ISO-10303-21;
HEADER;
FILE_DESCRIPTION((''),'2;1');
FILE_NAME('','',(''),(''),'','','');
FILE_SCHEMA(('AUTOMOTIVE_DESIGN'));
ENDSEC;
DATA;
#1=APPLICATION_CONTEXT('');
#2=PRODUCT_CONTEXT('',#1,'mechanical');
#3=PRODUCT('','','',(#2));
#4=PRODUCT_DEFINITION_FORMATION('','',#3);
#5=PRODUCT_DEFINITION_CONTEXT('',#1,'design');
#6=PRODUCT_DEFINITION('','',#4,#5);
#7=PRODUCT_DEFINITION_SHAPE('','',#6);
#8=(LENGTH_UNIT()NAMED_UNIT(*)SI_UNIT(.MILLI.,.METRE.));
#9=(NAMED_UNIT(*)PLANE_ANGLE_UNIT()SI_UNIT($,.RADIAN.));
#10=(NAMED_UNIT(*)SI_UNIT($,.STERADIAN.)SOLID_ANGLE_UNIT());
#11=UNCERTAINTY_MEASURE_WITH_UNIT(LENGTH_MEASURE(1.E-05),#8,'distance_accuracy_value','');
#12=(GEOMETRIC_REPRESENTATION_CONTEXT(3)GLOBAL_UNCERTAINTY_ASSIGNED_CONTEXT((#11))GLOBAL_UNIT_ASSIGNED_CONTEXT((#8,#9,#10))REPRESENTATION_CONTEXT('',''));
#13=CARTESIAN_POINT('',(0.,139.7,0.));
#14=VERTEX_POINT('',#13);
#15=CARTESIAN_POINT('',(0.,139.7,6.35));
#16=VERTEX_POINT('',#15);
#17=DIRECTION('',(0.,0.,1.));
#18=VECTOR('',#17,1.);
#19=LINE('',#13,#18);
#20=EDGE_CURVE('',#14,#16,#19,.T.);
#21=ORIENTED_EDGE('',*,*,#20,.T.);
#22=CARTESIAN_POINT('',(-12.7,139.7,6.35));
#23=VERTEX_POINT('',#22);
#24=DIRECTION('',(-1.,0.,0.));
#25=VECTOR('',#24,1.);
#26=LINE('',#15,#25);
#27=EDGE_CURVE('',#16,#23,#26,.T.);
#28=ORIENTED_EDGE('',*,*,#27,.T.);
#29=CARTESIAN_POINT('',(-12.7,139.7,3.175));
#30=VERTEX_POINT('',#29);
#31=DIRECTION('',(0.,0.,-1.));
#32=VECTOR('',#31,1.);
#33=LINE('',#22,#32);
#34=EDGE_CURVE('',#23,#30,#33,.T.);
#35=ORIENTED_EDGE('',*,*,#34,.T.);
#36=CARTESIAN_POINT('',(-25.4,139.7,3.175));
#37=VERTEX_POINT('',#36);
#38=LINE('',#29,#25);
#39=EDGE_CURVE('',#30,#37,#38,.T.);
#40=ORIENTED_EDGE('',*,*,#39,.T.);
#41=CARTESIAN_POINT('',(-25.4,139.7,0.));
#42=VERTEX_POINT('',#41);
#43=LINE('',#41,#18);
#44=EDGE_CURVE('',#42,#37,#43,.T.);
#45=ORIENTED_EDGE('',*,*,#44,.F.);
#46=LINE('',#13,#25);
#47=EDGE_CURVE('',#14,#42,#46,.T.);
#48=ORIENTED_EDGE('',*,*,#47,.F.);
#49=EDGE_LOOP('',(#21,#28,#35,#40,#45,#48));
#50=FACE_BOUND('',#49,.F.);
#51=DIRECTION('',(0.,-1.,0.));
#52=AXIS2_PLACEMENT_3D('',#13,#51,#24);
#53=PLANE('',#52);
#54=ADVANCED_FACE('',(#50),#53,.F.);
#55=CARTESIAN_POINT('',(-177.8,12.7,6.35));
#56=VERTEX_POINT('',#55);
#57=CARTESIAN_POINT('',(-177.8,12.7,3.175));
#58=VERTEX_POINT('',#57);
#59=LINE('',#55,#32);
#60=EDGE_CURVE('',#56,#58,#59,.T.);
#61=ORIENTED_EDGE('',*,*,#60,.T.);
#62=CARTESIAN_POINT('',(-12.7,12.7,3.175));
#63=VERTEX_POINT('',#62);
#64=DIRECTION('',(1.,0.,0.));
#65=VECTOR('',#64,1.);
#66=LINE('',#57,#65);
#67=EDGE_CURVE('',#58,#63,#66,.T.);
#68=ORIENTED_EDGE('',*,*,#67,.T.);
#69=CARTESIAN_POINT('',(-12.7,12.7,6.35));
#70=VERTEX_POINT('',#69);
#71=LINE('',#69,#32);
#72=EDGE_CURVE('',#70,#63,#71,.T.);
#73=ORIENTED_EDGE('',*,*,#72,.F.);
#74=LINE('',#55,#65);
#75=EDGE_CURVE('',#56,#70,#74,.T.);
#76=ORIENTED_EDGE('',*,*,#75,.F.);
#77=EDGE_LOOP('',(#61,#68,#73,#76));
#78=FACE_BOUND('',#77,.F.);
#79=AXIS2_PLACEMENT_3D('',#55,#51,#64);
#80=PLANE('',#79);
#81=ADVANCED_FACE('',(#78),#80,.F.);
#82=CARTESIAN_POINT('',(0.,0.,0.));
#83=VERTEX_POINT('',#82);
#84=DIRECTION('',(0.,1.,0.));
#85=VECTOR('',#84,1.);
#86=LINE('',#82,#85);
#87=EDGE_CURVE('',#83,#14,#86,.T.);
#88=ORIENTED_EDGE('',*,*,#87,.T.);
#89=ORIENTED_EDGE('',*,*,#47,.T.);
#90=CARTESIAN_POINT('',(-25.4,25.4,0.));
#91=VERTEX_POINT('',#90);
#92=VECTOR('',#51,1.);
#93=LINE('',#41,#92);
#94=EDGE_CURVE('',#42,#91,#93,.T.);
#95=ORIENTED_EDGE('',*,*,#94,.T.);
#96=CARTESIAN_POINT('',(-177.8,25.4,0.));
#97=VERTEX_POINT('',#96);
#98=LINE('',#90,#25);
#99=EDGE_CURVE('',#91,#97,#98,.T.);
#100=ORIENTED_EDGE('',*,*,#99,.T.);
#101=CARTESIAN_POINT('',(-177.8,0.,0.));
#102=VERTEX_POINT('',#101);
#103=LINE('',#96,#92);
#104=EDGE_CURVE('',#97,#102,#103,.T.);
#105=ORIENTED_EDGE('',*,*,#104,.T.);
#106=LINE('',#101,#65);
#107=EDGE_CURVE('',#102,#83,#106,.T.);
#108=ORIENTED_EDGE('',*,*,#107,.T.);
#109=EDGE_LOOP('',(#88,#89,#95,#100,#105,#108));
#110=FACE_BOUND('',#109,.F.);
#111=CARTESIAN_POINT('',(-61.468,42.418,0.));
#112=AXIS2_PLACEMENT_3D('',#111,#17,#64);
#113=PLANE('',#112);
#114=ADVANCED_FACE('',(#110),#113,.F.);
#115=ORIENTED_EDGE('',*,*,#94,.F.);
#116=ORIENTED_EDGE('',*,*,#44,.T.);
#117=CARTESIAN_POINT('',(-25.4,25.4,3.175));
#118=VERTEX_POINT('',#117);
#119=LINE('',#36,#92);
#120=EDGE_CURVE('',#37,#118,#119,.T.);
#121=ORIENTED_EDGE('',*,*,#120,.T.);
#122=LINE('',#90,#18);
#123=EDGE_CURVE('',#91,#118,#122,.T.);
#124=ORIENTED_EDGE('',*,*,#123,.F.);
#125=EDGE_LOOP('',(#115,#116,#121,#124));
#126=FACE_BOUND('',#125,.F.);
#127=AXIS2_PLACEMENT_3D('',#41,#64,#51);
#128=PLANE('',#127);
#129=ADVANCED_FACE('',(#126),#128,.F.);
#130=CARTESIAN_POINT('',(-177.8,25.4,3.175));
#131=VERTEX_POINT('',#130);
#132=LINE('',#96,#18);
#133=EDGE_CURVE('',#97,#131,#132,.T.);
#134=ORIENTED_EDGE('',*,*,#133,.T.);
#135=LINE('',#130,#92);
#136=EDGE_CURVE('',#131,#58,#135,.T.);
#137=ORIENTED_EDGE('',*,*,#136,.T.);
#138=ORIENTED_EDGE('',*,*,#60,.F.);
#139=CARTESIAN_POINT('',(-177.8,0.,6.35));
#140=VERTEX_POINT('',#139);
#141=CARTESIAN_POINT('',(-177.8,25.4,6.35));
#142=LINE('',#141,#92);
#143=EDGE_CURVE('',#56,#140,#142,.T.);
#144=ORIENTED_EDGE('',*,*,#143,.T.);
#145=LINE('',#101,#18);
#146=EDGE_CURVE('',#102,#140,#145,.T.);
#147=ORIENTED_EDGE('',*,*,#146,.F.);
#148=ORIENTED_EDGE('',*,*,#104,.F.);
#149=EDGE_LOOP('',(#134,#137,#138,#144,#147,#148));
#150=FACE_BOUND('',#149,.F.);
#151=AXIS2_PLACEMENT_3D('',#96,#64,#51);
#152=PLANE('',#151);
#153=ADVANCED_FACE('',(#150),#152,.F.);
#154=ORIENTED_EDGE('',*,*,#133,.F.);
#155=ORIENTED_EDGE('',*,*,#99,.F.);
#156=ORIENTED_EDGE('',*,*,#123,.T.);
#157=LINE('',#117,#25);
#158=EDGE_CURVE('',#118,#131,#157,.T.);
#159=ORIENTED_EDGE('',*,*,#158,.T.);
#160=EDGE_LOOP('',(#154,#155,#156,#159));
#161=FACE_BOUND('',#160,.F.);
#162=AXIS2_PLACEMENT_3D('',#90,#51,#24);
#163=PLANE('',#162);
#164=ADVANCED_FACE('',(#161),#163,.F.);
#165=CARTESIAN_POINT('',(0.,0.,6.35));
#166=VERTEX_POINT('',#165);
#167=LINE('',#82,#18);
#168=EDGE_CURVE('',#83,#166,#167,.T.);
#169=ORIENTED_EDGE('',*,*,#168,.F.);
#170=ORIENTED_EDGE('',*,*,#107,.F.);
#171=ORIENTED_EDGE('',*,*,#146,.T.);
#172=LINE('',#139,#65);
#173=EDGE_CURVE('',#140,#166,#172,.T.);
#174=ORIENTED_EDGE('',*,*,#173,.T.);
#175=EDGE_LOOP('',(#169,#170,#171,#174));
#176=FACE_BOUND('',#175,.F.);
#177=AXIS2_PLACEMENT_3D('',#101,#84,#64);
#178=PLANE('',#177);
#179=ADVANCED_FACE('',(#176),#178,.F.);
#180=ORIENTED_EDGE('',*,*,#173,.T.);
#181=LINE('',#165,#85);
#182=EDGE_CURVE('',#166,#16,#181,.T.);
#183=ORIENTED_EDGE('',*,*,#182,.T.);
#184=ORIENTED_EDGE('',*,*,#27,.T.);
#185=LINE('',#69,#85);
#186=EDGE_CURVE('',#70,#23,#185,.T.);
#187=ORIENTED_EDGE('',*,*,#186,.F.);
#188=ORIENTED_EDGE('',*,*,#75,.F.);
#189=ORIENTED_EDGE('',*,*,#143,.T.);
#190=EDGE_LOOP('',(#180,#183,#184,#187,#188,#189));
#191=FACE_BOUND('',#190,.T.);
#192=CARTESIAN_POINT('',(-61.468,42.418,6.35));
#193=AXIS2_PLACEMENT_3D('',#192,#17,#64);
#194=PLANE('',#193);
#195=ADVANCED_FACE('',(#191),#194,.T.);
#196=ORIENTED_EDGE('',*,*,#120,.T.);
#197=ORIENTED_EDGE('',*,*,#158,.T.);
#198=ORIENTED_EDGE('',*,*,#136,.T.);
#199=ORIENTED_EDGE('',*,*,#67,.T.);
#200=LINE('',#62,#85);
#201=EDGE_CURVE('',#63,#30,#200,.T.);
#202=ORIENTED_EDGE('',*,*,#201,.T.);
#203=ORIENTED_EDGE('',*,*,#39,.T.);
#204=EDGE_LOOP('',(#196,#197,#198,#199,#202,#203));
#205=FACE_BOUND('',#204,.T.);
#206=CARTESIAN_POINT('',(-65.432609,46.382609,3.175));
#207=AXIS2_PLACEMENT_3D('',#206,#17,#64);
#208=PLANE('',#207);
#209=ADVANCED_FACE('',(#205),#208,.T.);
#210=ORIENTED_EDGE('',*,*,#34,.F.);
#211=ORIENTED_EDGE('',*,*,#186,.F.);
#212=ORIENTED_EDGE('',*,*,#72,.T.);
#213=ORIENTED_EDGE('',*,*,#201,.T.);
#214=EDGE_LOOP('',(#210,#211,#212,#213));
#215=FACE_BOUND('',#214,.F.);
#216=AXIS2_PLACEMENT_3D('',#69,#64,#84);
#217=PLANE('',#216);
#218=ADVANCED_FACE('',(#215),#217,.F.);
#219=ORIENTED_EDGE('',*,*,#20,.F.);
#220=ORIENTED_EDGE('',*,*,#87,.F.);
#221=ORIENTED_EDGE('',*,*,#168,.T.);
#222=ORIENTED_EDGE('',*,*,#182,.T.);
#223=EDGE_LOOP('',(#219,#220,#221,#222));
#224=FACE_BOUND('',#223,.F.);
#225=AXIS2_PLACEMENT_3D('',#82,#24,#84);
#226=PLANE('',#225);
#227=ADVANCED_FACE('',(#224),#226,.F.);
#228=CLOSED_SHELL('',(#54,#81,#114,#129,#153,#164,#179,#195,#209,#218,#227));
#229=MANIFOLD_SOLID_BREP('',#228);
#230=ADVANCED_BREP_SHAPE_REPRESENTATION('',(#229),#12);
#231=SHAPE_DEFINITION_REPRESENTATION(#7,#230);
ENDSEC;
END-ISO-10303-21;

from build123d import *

# Parameters (mm, degrees)
F1_DEPTH = 6.35
F3_DEPTH = 3.175


with BuildPart() as f1:
    # F0 (on Top) → F1 (new body)
    with BuildSketch(Plane.XY):
        Polygon((-177.8, 0), (0, 0), (0, 139.7), (-25.4, 139.7), (-25.4, 25.4), (-177.8, 25.4), align=None)
    extrude(amount=F1_DEPTH)

    # F2 (on face) → F3 (cut)
    with BuildSketch(Plane.XY.offset(6.35)):
        Polygon((-177.8, 25.4), (-177.8, 12.7), (-25.4, 12.7), (-12.7, 12.7), (-12.7, 25.4), (-12.7, 139.7), (-25.4, 139.7), (-25.4, 25.4), align=None)
    extrude(amount=-F3_DEPTH, mode=Mode.SUBTRACT)


solid = f1.part
